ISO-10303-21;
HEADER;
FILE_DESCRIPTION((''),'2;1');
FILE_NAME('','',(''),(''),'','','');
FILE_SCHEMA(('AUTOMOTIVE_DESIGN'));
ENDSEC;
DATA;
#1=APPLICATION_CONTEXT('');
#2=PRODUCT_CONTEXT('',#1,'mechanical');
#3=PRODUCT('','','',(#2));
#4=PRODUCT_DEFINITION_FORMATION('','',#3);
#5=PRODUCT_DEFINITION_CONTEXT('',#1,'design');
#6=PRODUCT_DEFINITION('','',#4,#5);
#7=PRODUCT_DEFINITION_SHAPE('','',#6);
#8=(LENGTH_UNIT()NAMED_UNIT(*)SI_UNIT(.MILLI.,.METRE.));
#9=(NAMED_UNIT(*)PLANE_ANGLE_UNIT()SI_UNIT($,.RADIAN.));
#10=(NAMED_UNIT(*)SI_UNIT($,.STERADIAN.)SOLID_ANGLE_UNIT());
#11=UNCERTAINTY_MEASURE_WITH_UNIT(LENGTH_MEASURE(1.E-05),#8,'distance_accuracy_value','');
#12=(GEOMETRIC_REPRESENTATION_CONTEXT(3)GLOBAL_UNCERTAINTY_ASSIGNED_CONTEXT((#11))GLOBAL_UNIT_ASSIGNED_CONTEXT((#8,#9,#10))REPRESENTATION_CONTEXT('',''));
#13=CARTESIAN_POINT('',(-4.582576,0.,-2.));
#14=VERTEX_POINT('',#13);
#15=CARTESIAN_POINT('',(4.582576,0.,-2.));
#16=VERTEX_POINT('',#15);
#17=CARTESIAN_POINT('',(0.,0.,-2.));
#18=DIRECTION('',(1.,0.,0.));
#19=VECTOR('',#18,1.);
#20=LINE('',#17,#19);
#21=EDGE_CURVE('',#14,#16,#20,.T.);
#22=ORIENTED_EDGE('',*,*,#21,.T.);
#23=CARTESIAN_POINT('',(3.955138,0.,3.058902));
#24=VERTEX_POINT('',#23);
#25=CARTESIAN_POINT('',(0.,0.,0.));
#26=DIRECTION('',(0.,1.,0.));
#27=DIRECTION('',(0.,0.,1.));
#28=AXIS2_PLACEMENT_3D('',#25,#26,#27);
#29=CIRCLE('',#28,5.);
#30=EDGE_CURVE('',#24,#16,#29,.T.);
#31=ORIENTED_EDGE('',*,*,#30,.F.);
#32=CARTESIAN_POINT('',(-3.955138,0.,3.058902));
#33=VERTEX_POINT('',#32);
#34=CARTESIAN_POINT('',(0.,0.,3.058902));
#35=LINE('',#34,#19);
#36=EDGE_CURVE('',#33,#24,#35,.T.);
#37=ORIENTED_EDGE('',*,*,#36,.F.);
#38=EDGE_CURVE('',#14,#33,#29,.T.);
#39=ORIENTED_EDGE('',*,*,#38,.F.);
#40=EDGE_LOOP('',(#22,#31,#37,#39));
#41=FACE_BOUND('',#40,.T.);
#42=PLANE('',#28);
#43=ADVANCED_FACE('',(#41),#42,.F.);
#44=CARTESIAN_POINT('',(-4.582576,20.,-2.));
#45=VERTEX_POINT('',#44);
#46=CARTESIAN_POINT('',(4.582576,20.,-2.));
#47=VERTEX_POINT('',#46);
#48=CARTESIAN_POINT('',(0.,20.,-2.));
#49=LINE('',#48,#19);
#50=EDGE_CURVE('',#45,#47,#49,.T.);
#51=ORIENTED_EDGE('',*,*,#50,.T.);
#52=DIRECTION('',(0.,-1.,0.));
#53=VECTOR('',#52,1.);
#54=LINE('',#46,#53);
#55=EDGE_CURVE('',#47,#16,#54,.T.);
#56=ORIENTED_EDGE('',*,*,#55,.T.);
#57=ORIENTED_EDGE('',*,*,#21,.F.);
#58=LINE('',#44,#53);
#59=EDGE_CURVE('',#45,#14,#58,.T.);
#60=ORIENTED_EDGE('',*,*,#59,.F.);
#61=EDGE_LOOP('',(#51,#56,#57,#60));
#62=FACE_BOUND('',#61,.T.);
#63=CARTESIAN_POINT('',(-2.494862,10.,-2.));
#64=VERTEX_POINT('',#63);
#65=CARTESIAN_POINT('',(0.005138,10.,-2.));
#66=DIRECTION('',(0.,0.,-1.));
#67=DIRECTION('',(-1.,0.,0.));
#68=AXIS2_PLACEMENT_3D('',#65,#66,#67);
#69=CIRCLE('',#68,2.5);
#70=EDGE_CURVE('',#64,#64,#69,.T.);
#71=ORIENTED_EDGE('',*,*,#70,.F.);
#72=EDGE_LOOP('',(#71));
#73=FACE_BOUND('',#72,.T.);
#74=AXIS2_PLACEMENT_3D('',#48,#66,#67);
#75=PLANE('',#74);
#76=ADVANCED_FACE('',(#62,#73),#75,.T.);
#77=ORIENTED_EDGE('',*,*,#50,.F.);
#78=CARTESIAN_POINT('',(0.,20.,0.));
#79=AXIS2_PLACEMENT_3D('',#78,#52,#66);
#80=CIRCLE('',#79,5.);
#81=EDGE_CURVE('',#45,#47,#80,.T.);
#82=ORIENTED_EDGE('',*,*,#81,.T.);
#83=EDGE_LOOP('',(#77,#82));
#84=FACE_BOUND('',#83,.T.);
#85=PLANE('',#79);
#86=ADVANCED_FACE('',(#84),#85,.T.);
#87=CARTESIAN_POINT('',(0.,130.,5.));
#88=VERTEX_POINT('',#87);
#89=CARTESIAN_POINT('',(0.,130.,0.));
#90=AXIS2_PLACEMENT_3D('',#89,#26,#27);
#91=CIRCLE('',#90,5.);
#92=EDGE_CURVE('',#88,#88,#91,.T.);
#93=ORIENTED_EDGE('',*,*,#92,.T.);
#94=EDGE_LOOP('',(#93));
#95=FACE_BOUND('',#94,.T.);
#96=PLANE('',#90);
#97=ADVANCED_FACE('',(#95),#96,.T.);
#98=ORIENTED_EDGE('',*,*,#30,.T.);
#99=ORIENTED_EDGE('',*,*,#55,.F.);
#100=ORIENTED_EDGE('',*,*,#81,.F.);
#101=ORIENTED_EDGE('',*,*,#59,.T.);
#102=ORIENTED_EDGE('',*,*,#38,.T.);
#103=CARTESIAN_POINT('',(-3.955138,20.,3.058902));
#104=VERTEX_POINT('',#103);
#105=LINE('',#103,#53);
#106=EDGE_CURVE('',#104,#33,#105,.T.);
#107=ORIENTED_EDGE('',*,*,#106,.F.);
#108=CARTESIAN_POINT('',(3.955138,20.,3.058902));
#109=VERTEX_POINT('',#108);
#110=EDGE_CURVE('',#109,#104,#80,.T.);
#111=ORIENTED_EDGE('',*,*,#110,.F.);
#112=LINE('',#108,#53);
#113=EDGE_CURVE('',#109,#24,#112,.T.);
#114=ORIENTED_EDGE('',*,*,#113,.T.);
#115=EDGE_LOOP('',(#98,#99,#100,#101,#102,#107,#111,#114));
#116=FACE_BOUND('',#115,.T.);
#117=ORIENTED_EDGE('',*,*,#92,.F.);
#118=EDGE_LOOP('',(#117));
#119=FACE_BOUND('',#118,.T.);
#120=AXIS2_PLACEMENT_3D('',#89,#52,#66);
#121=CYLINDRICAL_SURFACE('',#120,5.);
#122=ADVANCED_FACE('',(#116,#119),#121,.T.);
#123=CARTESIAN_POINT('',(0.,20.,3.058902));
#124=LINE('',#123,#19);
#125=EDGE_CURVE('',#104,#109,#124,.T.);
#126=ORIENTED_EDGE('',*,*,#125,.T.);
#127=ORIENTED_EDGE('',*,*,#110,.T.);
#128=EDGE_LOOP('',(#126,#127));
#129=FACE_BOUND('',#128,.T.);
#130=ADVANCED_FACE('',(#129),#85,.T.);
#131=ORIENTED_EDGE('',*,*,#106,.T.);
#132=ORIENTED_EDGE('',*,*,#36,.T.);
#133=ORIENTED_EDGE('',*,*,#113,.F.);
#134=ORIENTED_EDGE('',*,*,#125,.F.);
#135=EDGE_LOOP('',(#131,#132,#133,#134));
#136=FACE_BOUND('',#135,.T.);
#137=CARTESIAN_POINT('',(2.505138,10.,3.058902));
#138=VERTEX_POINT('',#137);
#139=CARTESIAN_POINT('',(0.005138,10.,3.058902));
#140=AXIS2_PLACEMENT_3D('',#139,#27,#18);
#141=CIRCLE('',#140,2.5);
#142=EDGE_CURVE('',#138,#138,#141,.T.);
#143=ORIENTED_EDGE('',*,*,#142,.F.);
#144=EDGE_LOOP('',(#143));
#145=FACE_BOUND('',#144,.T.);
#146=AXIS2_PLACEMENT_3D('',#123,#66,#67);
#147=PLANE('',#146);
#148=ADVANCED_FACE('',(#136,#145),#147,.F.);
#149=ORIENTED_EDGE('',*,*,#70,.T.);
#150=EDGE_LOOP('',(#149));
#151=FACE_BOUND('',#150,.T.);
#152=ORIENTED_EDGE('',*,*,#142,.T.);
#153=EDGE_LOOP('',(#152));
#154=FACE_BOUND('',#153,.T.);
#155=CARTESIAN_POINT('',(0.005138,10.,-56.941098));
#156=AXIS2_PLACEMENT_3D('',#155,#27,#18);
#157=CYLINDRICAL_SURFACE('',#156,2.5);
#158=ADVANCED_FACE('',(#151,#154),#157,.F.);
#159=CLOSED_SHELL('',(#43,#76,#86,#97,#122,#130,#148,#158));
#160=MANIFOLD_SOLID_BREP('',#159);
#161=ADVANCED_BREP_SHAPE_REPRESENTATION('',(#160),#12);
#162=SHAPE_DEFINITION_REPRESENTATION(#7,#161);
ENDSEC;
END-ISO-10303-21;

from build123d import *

# Parameters (mm, degrees)
ESQUISSE1_R             = 5
BOSS_EXTRU_1_DEPTH      = 130
ENL_V_MAT_EXTRU_2_DEPTH = 20
ENL_V_MAT_EXTRU_3_DEPTH = 20
ESQUISSE4_R             = 2.5
ENL_V_MAT_EXTRU_4_DEPTH = 60


with BuildPart() as part:
    # Esquisse1 → Boss.-Extru.1 (new body)
    with BuildSketch(Plane(origin=(0, 0, 0), x_dir=(1, 0, 0), z_dir=(0, 1, 0))):
        with Locations(Location((0, 0, 0), (0, 0, 270))):
            Circle(ESQUISSE1_R)
    extrude(amount=BOSS_EXTRU_1_DEPTH)

    # Esquisse2 → Enlèv. mat.-Extru.2 (cut)
    with BuildSketch(Plane(origin=(0, 0, 0), x_dir=(-1, 0, 0), z_dir=(0, -1, 0))):
        with BuildLine():
            Line((-4.582575695, 2), (4.582575695, 2))
            ThreePointArc((4.582575695, 2), (4.582464701, 2.0002543), (4.582353692, 2.000508595))
            ThreePointArc((4.582353692, 2.000508595), (-0.000277468, 4.999999992), (-4.582575695, 2))
        make_face()
    extrude(amount=-ENL_V_MAT_EXTRU_2_DEPTH, mode=Mode.SUBTRACT)

    # Esquisse3 → Enlèv. mat.-Extru.3 (cut)
    with BuildSketch(Plane.XZ):
        with BuildLine():
            ThreePointArc((3.95513796, 3.058902371), (0, 5), (-3.95513796, 3.058902371))
            Line((-3.95513796, 3.058902371), (3.95513796, 3.058902371))
        make_face()
    extrude(amount=-ENL_V_MAT_EXTRU_3_DEPTH, mode=Mode.SUBTRACT)

    # Esquisse4 → Enlèv. mat.-Extru.4 (cut)
    with BuildSketch(Plane.XY.offset(3.058902371)):
        with Locations((0.00513796, 10)):
            Circle(ESQUISSE4_R)
    extrude(amount=-ENL_V_MAT_EXTRU_4_DEPTH, mode=Mode.SUBTRACT)


solid = part.part
